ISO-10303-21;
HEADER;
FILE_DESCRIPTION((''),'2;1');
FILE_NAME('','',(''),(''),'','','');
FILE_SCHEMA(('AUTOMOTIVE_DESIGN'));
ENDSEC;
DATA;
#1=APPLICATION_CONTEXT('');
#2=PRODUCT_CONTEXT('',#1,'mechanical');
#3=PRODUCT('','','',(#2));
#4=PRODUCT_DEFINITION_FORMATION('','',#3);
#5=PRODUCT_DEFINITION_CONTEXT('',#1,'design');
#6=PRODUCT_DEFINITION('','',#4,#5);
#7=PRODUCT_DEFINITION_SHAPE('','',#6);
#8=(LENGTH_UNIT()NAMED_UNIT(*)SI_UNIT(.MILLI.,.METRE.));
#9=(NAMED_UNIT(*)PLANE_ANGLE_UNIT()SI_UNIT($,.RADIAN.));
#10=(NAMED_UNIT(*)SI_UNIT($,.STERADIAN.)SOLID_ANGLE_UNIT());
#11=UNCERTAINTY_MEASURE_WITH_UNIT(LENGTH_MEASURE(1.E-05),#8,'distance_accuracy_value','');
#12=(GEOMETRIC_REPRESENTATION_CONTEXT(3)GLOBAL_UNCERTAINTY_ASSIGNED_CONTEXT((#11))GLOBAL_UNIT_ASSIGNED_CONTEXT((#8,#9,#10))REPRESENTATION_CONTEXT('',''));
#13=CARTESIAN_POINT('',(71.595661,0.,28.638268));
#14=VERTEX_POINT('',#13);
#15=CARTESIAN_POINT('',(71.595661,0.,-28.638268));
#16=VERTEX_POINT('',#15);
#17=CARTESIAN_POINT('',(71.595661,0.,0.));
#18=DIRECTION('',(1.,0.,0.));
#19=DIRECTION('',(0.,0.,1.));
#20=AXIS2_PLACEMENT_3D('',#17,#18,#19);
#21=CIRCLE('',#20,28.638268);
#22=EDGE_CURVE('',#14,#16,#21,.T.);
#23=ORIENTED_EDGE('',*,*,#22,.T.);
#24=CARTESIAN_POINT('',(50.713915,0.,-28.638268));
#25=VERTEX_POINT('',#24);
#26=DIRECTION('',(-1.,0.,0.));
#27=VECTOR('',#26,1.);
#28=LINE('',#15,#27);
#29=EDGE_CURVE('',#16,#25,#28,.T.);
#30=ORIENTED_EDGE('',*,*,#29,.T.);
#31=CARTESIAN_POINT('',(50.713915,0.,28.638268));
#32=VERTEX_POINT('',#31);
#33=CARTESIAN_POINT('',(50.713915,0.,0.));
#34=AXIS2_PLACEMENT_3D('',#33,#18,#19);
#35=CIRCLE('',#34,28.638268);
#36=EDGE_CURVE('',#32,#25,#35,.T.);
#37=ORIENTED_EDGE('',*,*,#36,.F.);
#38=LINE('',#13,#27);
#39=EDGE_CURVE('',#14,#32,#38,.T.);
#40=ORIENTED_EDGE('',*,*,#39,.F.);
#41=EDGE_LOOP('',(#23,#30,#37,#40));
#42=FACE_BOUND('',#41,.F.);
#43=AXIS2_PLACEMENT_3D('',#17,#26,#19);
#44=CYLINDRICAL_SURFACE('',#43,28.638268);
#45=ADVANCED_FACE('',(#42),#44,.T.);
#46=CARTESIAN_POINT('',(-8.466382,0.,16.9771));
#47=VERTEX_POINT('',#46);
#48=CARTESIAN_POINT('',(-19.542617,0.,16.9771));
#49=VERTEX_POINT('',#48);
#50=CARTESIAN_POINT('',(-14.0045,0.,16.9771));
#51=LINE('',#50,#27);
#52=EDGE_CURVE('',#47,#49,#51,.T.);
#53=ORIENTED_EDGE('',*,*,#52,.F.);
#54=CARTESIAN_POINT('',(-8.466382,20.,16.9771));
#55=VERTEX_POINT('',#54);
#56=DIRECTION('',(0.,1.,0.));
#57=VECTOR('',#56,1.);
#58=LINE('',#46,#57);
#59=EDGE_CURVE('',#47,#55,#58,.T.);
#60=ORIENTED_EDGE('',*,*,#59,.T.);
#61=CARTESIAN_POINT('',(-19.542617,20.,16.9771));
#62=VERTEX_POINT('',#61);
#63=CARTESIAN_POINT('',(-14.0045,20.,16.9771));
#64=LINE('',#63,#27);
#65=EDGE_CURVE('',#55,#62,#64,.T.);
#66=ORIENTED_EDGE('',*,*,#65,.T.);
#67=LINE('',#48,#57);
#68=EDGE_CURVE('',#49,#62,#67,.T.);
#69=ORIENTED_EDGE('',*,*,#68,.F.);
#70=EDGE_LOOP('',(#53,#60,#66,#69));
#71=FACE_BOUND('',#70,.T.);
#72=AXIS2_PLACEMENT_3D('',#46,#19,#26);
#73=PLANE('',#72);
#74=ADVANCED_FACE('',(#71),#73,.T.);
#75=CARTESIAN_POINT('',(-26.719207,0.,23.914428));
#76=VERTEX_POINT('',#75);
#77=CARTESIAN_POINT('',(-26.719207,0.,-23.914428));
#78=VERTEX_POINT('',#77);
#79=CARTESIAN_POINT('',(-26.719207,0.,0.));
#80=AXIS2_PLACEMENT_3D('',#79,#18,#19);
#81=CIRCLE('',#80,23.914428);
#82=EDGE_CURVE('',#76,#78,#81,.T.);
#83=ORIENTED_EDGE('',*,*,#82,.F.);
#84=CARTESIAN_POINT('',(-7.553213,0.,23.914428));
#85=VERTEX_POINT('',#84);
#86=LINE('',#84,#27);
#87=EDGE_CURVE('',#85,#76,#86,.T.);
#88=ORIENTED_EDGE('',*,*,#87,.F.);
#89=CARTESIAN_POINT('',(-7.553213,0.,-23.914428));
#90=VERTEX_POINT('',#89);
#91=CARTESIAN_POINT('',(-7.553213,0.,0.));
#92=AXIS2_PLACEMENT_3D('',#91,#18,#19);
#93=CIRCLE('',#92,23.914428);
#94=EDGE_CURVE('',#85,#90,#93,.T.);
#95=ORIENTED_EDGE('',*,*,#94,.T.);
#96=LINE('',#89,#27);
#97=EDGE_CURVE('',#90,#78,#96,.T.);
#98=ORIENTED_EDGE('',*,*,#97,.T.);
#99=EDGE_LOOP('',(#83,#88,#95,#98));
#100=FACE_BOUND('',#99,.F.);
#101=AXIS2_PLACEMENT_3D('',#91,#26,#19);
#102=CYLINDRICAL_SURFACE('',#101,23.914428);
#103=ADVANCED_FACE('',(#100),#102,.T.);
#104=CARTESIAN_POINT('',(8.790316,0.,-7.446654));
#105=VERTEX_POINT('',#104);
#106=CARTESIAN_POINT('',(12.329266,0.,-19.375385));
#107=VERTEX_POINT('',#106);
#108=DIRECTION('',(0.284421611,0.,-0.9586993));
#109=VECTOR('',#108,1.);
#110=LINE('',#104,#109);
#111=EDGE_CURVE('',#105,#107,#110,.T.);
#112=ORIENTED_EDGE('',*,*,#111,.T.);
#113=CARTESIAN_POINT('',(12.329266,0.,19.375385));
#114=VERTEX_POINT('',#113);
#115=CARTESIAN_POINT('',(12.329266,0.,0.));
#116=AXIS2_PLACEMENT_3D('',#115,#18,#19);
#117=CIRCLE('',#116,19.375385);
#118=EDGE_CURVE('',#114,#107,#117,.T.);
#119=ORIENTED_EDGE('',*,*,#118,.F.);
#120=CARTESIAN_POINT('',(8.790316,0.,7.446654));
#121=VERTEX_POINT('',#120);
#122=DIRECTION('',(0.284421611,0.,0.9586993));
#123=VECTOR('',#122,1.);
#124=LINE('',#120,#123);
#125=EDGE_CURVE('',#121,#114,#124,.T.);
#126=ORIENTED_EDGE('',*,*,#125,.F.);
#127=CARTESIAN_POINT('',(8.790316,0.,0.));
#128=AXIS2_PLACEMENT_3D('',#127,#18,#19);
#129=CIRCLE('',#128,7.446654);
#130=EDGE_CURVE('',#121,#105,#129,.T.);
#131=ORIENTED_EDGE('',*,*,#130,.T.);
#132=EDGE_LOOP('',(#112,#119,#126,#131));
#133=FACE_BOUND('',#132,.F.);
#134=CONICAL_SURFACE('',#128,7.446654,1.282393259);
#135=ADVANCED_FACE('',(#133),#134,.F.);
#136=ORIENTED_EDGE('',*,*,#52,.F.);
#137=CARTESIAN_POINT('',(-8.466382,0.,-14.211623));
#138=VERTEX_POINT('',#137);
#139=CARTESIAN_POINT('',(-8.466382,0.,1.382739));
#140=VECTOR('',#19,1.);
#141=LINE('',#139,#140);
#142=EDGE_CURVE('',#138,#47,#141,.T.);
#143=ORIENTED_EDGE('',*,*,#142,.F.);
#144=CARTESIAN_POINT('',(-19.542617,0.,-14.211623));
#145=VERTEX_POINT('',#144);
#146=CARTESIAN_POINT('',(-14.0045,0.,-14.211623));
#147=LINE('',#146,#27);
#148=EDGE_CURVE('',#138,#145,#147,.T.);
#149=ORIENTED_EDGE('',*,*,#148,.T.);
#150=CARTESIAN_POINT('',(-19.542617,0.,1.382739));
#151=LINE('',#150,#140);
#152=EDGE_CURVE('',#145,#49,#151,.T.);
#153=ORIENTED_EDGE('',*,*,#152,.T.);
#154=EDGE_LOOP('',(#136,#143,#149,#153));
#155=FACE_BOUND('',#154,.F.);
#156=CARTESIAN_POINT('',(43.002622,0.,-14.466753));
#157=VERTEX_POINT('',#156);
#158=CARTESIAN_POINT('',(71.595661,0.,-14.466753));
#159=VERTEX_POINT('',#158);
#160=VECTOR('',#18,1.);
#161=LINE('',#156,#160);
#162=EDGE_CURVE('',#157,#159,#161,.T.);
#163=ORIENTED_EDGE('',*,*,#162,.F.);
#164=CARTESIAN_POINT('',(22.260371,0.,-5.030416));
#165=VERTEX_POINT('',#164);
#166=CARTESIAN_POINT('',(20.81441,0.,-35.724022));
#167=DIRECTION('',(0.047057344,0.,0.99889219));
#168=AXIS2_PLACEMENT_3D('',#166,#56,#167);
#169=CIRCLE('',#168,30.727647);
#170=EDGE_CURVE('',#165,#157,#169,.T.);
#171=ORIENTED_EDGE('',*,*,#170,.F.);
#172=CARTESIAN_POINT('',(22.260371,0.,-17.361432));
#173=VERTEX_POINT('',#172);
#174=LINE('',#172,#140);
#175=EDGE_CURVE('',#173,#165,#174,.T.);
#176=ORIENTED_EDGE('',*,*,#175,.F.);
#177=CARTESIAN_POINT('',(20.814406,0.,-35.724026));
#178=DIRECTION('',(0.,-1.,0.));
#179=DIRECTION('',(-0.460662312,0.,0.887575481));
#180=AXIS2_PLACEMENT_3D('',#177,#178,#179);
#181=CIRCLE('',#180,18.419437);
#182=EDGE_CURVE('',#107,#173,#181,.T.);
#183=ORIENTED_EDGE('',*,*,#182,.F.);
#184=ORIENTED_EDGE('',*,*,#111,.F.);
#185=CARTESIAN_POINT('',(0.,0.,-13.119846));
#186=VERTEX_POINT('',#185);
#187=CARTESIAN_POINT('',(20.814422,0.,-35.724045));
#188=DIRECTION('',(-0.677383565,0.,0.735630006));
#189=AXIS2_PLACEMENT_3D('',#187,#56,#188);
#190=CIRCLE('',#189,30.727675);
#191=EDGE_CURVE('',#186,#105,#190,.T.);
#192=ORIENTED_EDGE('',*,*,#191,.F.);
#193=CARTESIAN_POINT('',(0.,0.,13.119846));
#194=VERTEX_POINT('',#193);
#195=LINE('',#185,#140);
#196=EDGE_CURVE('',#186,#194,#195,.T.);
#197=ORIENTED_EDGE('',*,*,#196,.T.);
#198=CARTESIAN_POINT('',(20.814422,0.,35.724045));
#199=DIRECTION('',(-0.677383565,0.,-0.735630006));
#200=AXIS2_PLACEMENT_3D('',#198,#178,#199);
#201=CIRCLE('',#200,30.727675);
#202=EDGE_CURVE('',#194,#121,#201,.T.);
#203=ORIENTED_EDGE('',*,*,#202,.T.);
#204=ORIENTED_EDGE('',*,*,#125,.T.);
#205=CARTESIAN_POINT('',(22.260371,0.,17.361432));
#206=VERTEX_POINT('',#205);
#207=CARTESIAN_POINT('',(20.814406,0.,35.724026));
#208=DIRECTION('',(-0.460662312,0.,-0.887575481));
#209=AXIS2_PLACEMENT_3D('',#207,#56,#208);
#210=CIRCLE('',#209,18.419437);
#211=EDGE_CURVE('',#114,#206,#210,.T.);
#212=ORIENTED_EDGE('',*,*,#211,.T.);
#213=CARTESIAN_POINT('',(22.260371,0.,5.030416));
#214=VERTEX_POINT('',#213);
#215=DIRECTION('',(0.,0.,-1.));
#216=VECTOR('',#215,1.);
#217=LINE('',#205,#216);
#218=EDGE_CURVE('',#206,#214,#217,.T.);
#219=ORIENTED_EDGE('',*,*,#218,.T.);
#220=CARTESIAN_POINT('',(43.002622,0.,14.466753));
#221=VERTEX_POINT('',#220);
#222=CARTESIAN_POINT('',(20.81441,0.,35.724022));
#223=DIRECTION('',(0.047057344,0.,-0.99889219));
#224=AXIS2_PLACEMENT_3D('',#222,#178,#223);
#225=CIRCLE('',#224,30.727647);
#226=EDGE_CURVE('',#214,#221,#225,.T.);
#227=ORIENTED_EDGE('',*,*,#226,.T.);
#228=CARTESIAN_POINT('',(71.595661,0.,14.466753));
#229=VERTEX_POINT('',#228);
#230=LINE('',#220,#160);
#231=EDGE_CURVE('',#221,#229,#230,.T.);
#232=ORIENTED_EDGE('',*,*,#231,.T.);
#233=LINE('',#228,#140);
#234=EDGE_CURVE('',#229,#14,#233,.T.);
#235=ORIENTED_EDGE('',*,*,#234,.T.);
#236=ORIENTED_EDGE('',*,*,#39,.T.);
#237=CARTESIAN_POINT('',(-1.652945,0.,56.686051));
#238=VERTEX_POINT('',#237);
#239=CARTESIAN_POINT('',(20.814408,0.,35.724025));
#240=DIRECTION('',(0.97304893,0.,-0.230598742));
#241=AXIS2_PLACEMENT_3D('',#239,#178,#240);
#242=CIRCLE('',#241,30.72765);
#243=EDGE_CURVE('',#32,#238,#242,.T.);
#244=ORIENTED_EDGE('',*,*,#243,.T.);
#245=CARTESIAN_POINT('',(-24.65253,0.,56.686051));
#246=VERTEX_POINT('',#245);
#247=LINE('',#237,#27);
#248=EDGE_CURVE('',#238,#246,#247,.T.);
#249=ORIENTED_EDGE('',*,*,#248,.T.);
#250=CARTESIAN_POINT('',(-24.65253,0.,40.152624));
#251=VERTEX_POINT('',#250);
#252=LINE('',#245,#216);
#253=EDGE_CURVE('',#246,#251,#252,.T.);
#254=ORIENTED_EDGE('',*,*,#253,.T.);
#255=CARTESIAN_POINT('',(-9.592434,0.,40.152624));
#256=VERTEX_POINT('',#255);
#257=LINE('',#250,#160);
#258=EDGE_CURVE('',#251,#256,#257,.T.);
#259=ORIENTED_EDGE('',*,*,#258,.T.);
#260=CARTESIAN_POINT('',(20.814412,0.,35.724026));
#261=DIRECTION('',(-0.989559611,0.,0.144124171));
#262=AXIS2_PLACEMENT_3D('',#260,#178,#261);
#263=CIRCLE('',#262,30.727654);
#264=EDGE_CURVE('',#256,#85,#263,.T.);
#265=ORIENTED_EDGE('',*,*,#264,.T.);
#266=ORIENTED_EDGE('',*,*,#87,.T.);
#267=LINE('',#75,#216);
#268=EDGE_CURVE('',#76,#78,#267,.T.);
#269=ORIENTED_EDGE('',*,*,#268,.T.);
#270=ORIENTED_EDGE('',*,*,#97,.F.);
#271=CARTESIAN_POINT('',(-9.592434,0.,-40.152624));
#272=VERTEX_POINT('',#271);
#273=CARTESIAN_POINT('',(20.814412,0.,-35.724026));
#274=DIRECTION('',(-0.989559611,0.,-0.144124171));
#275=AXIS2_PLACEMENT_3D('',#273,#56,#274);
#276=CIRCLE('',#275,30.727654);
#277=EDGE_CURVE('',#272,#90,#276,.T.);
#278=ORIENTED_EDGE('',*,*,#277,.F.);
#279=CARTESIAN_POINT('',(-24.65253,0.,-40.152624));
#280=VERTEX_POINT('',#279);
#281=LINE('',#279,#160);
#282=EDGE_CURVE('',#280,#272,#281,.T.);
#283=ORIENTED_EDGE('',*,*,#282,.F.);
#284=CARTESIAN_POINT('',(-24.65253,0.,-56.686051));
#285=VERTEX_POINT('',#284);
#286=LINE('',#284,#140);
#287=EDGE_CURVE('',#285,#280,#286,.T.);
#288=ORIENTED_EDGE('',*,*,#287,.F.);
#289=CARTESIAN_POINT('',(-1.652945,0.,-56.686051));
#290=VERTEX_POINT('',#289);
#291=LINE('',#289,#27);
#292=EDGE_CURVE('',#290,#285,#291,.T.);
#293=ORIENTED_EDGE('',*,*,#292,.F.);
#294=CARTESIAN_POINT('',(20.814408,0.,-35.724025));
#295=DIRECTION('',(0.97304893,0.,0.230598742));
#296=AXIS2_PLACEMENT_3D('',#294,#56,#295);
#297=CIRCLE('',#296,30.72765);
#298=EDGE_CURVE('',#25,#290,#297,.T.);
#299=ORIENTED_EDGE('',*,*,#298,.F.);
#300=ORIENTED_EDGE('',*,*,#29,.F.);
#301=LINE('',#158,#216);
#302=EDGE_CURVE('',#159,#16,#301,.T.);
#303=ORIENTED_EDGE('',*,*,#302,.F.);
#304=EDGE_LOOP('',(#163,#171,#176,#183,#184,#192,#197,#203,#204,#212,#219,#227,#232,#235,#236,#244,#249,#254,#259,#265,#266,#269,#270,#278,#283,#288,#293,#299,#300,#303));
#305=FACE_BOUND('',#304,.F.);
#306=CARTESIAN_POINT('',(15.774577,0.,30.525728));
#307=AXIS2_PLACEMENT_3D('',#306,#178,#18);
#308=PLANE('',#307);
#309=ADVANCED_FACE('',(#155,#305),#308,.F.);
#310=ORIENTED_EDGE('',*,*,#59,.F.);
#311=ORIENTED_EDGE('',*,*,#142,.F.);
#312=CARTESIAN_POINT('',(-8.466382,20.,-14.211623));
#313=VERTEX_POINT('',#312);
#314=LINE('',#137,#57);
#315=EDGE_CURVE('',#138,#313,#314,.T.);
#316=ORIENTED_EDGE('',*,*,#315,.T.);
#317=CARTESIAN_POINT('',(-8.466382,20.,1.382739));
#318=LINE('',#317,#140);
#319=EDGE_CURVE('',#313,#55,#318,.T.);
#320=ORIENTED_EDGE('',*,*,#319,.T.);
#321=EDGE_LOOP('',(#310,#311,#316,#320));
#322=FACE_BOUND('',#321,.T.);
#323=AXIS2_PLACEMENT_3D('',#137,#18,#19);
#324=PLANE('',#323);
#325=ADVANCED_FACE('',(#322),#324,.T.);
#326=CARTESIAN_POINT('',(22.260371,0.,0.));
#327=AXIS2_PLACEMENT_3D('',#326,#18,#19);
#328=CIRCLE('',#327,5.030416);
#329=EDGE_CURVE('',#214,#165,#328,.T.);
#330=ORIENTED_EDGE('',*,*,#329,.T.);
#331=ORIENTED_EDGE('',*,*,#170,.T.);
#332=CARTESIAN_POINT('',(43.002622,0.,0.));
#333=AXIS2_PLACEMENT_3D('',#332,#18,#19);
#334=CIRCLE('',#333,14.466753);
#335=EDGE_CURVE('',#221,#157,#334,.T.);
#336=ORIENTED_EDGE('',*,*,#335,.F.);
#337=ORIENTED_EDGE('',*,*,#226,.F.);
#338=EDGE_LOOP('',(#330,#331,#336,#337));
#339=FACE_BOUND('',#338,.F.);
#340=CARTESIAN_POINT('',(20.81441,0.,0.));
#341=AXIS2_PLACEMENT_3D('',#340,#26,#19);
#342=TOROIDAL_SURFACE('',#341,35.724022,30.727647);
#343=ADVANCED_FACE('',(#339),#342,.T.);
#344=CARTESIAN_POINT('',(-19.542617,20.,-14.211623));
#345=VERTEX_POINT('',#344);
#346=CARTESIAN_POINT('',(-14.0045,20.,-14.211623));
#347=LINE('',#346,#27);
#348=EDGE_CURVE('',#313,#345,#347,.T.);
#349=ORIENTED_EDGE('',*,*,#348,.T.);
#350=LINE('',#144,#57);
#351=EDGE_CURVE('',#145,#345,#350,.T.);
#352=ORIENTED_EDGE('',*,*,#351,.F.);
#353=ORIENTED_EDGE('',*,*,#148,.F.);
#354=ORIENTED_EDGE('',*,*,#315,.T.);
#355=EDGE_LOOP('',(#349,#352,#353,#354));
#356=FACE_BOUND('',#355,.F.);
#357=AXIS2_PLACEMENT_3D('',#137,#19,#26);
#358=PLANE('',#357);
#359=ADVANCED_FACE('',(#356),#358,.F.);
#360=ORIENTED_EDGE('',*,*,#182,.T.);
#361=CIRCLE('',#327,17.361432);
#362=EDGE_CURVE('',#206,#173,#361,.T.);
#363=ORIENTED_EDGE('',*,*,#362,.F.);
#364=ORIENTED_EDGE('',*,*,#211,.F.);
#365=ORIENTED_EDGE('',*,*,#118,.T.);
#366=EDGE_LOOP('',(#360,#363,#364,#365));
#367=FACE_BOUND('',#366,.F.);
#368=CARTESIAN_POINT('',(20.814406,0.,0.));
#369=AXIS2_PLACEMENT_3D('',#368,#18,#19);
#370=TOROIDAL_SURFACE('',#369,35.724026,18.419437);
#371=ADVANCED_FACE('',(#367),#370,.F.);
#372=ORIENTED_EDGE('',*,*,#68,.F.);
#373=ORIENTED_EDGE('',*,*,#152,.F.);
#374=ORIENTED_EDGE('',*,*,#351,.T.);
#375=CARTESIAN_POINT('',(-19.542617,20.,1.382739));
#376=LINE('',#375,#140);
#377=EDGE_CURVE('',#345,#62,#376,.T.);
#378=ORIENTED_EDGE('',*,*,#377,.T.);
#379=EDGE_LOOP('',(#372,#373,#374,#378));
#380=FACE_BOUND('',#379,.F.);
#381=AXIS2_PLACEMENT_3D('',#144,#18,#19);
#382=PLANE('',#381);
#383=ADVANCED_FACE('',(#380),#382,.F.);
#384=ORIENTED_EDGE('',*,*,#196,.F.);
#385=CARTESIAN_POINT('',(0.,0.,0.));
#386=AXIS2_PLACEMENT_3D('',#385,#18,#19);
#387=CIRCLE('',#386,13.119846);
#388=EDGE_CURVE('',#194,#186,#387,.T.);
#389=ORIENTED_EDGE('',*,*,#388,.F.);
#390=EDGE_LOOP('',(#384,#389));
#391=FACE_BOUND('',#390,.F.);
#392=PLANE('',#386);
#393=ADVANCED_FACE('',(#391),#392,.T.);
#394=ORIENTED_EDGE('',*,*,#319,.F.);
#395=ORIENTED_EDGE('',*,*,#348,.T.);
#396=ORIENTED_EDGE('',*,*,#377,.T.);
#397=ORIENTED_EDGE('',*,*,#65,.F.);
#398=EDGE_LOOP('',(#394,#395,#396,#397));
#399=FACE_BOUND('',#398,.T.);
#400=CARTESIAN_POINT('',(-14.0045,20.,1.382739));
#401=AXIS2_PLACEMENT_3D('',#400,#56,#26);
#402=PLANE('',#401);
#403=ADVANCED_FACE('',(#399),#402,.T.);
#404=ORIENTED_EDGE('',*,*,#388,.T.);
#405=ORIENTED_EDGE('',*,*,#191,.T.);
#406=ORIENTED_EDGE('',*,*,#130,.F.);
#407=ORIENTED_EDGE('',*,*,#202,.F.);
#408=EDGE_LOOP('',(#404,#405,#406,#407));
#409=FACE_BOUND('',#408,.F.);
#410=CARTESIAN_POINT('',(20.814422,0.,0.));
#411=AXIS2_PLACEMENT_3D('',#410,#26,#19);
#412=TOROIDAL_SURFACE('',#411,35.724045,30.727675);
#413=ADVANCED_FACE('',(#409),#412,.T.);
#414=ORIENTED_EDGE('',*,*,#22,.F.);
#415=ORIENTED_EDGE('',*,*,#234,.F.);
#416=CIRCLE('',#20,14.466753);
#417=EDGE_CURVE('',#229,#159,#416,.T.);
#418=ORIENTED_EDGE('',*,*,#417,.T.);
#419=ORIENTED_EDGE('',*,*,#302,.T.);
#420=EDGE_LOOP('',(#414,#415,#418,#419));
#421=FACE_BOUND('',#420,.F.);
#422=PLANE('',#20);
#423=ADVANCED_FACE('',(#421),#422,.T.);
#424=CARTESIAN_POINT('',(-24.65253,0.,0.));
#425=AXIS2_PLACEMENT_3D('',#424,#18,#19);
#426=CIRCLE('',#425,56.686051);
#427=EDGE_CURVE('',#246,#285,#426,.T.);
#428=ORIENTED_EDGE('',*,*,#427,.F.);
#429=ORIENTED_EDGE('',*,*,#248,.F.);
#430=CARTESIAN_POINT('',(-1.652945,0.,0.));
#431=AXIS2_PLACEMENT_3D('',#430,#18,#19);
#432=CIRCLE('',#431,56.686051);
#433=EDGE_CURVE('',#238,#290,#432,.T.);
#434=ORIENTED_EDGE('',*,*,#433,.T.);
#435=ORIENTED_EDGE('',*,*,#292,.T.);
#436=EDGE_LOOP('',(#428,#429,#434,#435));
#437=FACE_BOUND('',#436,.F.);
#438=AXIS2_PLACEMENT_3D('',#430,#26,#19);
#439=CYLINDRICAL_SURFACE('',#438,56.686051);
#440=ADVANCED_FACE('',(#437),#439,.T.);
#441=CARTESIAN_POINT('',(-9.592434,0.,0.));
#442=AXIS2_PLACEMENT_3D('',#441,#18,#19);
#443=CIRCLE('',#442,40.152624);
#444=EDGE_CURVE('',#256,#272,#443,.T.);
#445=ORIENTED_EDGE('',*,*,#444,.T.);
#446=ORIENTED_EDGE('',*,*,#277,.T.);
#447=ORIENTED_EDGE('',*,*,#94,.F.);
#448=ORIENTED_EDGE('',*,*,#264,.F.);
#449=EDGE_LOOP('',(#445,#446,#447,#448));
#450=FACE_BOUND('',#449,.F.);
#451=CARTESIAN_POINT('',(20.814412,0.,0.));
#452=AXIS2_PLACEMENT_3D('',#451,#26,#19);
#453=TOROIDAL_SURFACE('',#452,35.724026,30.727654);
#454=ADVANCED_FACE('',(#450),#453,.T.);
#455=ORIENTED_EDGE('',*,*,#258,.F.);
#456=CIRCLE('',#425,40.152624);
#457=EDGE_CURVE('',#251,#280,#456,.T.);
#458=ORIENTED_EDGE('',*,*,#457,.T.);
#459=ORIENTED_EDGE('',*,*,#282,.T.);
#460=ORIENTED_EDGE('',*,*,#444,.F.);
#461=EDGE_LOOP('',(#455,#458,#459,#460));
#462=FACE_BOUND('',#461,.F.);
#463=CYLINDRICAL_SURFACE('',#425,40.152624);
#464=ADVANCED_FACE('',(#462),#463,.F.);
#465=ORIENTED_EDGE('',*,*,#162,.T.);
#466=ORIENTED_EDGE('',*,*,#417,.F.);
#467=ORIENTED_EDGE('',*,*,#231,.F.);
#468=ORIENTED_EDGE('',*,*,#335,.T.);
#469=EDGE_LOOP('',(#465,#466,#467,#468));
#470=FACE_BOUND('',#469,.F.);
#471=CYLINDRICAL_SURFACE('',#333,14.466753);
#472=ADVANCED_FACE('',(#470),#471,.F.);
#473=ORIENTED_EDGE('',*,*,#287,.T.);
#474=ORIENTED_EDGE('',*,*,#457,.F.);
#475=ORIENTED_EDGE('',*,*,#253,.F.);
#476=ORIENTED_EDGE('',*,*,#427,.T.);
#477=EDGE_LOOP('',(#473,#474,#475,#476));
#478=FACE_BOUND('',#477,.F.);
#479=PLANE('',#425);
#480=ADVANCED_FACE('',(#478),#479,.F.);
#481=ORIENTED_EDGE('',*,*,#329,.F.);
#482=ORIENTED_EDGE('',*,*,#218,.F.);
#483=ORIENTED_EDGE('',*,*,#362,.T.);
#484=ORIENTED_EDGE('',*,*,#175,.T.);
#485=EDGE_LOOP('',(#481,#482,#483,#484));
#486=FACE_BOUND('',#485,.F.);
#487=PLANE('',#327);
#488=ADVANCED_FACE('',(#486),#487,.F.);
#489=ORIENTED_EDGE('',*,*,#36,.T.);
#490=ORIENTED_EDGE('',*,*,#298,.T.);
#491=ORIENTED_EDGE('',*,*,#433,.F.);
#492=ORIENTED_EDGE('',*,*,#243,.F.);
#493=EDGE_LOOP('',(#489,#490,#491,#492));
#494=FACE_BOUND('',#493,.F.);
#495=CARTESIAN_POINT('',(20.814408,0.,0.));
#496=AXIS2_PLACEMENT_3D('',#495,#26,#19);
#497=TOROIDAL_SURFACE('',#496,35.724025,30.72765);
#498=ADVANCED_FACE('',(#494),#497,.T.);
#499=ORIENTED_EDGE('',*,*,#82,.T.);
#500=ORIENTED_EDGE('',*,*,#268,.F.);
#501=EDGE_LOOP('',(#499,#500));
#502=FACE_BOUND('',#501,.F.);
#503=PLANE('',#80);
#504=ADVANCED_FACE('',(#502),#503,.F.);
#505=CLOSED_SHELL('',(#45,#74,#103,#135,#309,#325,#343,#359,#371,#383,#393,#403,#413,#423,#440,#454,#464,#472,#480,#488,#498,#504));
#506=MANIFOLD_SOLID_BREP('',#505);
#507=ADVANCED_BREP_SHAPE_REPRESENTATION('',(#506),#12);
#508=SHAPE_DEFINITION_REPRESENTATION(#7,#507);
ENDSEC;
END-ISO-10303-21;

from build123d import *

# Parameters (mm, degrees)
F1_ANGLE = 180
F2_W     = 11.076235
F2_H     = 31.188723
F3_DEPTH = 20


with BuildPart() as f1:
    # F0 (on Front) → F1 (revolve)
    with BuildSketch(Plane.XZ):
        with BuildLine():
            Line((-24.65253, 40.152624), (-9.592434, 40.152624))
            ThreePointArc((-9.592434, 40.152624), (-9.673772, 31.895267), (-7.553213, 23.914428))
            Line((-7.553213, 23.914428), (-26.719207, 23.914428))
            Line((-26.719207, 23.914428), (-26.719207, 0))
            Line((-26.719207, 0), (0, 0))
            Line((0, 0), (0, 13.119846))
            ThreePointArc((0, 13.119846), (4.151934, 9.906387), (8.790316, 7.446654))
            Line((8.790316, 7.446654), (12.329266, 19.375385))
            ThreePointArc((12.329266, 19.375385), (24.475215, 53.77601), (22.260371, 17.361432))
            Line((22.260371, 17.361432), (22.260371, 5.030416))
            ThreePointArc((22.260371, 5.030416), (33.538586, 7.754689), (43.002622, 14.466753))
            Line((43.002622, 14.466753), (71.595661, 14.466753))
            Line((71.595661, 14.466753), (71.595661, 28.638268))
            Line((71.595661, 28.638268), (50.713915, 28.638268))
            ThreePointArc((50.713915, 28.638268), (35.322294, 62.811102), (-1.652945, 56.686051))
            Line((-1.652945, 56.686051), (-24.65253, 56.686051))
            Line((-24.65253, 56.686051), (-24.65253, 40.152624))
        make_face()
    revolve(axis=Axis((-13.359603, 0, 0), (1, 0, 0)), revolution_arc=F1_ANGLE)

    # F2 (on face) → F3 (join)
    with BuildSketch(Plane(origin=(0, 0, 0), x_dir=(-1, 0, 0), z_dir=(0, 1, 0))):
        with Locations((14.0045, 1.382739)):
            Rectangle(F2_W, F2_H)
    extrude(amount=F3_DEPTH)


solid = f1.part
